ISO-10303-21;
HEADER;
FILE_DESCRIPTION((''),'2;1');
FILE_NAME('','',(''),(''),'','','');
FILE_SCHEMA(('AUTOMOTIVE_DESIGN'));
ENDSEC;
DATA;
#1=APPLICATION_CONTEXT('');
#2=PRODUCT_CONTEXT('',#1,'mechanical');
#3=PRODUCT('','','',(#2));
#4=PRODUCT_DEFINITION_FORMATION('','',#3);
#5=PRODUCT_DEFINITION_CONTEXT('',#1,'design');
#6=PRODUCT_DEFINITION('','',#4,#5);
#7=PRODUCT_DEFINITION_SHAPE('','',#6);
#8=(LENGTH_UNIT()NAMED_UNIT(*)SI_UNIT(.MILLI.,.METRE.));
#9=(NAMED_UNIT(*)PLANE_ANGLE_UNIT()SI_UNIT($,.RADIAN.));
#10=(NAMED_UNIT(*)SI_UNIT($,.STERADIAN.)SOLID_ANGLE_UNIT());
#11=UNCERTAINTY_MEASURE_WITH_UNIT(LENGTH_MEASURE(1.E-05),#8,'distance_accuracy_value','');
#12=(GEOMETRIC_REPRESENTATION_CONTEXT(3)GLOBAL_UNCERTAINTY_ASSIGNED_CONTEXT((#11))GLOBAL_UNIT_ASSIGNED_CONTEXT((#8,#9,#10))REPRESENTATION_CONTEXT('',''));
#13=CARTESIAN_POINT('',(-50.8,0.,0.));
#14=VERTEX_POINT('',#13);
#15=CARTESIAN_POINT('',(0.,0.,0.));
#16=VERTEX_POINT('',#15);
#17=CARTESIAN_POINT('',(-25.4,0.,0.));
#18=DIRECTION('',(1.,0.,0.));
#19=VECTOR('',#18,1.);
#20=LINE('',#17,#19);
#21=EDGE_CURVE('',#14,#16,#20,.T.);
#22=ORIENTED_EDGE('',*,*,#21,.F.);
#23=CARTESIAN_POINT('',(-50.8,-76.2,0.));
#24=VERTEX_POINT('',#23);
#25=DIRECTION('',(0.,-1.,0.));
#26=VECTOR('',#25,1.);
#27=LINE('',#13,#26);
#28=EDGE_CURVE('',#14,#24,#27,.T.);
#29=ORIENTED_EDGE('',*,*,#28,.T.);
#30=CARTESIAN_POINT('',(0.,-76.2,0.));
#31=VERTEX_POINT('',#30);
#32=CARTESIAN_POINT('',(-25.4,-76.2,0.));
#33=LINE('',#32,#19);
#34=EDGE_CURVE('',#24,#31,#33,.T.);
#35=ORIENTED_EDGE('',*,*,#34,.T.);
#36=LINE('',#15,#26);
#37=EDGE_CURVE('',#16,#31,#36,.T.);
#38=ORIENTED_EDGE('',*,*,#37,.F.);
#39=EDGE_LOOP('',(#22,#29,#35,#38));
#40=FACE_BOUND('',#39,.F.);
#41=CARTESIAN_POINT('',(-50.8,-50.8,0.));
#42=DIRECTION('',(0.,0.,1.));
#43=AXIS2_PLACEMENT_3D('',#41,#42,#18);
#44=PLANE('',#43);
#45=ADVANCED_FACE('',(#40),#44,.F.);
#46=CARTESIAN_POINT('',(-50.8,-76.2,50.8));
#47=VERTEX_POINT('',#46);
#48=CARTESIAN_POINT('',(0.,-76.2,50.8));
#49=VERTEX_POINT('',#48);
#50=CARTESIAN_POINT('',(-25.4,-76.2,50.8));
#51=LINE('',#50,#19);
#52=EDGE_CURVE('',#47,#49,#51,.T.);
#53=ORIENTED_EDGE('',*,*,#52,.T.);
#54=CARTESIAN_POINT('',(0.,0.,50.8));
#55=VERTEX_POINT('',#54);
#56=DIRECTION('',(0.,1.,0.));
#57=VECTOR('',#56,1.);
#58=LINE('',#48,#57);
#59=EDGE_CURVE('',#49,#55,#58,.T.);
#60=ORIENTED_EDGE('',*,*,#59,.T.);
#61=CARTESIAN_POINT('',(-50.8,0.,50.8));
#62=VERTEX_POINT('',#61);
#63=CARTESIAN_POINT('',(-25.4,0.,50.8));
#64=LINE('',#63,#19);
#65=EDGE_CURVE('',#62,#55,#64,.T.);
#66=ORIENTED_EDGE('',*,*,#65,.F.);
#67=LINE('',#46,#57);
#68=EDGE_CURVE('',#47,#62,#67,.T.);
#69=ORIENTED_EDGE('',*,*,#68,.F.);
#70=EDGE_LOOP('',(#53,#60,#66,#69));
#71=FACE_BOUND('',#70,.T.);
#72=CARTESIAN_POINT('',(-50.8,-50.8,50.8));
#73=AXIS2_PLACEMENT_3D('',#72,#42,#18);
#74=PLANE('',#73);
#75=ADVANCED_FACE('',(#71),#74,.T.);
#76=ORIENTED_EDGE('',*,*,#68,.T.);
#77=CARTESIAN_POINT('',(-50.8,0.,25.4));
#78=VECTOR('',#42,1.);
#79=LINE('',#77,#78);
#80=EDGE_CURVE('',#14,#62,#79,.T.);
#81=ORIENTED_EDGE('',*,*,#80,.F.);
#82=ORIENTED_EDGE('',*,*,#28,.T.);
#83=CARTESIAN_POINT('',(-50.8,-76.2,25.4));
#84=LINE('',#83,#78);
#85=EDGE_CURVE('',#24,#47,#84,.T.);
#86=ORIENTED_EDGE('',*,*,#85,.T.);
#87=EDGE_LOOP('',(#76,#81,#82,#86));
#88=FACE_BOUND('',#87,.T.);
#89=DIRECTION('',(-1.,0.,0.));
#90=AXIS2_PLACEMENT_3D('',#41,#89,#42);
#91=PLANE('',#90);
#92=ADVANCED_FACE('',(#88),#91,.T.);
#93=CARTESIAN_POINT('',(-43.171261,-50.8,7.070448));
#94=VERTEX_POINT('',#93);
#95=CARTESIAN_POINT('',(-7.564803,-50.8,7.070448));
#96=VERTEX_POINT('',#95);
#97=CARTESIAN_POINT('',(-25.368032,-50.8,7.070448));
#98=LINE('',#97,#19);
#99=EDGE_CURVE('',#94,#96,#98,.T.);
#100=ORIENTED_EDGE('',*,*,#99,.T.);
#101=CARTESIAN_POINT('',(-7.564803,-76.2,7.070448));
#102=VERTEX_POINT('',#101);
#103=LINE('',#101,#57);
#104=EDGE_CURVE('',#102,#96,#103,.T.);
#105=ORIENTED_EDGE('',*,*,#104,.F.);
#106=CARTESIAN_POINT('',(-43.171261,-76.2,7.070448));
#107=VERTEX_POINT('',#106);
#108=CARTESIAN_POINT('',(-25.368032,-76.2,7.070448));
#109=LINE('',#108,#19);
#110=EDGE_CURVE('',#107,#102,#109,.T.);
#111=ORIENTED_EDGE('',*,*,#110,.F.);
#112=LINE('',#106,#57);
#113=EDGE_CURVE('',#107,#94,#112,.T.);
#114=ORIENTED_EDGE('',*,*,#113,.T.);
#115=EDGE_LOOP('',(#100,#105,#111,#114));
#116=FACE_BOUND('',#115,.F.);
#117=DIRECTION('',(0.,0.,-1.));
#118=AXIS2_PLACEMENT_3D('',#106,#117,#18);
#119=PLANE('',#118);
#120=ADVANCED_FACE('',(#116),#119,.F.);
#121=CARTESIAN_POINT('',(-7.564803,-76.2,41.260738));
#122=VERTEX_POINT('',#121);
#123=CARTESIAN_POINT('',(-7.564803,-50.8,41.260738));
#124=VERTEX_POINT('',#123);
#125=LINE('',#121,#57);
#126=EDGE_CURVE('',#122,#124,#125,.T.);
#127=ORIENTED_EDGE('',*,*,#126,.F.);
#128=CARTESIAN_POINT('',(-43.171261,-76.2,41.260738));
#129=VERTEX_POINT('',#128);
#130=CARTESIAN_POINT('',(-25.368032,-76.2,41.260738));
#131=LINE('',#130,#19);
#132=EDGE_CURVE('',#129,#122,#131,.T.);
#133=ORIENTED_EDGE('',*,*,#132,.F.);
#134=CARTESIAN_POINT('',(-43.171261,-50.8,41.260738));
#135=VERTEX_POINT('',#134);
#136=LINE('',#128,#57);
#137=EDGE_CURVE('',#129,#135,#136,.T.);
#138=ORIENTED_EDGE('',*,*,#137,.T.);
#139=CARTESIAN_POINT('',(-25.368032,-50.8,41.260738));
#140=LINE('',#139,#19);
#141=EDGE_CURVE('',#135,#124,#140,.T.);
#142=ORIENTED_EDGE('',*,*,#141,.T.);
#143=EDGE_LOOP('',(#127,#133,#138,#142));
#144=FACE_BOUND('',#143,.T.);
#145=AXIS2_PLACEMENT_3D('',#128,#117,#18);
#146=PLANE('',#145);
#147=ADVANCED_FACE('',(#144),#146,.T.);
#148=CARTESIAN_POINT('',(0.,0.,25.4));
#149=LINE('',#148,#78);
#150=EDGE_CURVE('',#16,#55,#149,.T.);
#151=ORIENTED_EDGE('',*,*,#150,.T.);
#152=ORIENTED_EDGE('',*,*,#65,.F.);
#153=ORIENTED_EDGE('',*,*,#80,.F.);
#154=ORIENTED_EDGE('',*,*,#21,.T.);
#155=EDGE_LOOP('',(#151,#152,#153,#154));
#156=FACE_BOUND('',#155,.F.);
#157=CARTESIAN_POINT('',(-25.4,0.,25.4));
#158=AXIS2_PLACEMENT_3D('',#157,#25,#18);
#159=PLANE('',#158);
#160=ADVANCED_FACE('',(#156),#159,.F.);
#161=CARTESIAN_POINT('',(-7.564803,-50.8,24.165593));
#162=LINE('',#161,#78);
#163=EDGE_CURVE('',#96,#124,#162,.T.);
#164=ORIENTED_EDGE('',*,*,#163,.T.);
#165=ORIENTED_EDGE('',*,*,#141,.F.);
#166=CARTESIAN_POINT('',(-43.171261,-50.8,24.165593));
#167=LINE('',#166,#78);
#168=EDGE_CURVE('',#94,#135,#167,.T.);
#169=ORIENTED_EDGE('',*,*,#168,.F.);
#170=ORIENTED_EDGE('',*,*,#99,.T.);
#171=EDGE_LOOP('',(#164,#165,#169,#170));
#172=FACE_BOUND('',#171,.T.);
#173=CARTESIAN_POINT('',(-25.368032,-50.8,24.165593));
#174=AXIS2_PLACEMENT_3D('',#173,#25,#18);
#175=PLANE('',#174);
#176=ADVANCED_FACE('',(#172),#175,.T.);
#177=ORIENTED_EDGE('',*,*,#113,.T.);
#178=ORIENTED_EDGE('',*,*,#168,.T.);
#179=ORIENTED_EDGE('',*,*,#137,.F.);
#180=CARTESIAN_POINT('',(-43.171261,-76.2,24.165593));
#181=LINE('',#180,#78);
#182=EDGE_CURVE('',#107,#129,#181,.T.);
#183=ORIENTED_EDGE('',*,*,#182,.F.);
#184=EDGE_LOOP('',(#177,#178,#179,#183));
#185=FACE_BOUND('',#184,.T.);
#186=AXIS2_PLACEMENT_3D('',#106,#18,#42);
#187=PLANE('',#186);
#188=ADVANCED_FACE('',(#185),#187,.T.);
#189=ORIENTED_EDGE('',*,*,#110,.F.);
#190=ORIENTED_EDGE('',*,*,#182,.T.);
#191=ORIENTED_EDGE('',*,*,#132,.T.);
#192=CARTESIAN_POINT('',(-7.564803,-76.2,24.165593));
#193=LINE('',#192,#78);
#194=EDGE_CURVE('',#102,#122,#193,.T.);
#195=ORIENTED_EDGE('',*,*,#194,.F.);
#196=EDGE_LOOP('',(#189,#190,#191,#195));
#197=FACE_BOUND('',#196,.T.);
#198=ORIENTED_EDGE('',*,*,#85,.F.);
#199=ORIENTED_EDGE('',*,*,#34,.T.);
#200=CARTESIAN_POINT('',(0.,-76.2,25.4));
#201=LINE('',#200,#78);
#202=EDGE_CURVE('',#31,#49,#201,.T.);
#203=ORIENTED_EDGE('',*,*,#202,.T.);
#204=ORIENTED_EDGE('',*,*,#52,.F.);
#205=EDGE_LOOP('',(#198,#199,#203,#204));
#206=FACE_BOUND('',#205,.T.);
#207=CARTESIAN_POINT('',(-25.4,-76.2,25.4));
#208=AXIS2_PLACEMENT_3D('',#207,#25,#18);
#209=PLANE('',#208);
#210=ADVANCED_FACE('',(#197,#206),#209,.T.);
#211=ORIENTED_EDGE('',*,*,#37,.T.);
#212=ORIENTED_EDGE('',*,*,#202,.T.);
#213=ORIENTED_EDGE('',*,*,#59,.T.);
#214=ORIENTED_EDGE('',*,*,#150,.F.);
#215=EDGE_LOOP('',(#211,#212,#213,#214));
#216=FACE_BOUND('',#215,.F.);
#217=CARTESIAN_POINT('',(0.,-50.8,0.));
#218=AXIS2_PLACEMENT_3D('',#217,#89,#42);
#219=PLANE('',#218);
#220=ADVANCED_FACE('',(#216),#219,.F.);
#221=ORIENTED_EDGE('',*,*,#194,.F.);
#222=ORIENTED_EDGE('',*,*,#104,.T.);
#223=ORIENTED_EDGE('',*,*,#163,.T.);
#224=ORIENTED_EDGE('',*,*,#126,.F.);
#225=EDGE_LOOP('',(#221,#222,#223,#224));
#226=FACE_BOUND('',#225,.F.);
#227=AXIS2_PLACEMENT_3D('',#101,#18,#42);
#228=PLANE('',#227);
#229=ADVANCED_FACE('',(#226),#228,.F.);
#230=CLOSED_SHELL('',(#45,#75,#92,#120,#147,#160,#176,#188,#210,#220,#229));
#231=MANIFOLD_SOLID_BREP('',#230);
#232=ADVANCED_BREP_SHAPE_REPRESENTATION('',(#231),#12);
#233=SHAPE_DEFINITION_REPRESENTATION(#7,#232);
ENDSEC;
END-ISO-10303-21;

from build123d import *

# Parameters (mm, degrees)
F0_W      = 50.8
F0_H      = 50.8
F1_DEPTH  = 50.8
F1_FACE_W = 50.8
F1_FACE_H = 50.8
F2_DEPTH  = 25.4
F3_W      = 35.606458
F3_H      = 34.19029
F4_DEPTH  = 25.4


with BuildPart() as f1:
    # F0 (on Front) → F1 (new body)
    with BuildSketch(Plane.XZ):
        with Locations((-25.4, 25.4)):
            Rectangle(F0_W, F0_H)
    extrude(amount=F1_DEPTH)

    # F1_face (on face) → F2 (join)
    with BuildSketch(Plane(origin=(-25.4, -50.8, 25.4), x_dir=(1, 0, 0), z_dir=(0, -1, 0))):
        Rectangle(F1_FACE_W, F1_FACE_H)
    extrude(amount=F2_DEPTH)

    # F3 (on face) → F4 (cut)
    with BuildSketch(Plane.XZ.offset(76.2)):
        with Locations((-25.368032, 24.165593)):
            Rectangle(F3_W, F3_H)
    extrude(amount=-F4_DEPTH, mode=Mode.SUBTRACT)


solid = f1.part
